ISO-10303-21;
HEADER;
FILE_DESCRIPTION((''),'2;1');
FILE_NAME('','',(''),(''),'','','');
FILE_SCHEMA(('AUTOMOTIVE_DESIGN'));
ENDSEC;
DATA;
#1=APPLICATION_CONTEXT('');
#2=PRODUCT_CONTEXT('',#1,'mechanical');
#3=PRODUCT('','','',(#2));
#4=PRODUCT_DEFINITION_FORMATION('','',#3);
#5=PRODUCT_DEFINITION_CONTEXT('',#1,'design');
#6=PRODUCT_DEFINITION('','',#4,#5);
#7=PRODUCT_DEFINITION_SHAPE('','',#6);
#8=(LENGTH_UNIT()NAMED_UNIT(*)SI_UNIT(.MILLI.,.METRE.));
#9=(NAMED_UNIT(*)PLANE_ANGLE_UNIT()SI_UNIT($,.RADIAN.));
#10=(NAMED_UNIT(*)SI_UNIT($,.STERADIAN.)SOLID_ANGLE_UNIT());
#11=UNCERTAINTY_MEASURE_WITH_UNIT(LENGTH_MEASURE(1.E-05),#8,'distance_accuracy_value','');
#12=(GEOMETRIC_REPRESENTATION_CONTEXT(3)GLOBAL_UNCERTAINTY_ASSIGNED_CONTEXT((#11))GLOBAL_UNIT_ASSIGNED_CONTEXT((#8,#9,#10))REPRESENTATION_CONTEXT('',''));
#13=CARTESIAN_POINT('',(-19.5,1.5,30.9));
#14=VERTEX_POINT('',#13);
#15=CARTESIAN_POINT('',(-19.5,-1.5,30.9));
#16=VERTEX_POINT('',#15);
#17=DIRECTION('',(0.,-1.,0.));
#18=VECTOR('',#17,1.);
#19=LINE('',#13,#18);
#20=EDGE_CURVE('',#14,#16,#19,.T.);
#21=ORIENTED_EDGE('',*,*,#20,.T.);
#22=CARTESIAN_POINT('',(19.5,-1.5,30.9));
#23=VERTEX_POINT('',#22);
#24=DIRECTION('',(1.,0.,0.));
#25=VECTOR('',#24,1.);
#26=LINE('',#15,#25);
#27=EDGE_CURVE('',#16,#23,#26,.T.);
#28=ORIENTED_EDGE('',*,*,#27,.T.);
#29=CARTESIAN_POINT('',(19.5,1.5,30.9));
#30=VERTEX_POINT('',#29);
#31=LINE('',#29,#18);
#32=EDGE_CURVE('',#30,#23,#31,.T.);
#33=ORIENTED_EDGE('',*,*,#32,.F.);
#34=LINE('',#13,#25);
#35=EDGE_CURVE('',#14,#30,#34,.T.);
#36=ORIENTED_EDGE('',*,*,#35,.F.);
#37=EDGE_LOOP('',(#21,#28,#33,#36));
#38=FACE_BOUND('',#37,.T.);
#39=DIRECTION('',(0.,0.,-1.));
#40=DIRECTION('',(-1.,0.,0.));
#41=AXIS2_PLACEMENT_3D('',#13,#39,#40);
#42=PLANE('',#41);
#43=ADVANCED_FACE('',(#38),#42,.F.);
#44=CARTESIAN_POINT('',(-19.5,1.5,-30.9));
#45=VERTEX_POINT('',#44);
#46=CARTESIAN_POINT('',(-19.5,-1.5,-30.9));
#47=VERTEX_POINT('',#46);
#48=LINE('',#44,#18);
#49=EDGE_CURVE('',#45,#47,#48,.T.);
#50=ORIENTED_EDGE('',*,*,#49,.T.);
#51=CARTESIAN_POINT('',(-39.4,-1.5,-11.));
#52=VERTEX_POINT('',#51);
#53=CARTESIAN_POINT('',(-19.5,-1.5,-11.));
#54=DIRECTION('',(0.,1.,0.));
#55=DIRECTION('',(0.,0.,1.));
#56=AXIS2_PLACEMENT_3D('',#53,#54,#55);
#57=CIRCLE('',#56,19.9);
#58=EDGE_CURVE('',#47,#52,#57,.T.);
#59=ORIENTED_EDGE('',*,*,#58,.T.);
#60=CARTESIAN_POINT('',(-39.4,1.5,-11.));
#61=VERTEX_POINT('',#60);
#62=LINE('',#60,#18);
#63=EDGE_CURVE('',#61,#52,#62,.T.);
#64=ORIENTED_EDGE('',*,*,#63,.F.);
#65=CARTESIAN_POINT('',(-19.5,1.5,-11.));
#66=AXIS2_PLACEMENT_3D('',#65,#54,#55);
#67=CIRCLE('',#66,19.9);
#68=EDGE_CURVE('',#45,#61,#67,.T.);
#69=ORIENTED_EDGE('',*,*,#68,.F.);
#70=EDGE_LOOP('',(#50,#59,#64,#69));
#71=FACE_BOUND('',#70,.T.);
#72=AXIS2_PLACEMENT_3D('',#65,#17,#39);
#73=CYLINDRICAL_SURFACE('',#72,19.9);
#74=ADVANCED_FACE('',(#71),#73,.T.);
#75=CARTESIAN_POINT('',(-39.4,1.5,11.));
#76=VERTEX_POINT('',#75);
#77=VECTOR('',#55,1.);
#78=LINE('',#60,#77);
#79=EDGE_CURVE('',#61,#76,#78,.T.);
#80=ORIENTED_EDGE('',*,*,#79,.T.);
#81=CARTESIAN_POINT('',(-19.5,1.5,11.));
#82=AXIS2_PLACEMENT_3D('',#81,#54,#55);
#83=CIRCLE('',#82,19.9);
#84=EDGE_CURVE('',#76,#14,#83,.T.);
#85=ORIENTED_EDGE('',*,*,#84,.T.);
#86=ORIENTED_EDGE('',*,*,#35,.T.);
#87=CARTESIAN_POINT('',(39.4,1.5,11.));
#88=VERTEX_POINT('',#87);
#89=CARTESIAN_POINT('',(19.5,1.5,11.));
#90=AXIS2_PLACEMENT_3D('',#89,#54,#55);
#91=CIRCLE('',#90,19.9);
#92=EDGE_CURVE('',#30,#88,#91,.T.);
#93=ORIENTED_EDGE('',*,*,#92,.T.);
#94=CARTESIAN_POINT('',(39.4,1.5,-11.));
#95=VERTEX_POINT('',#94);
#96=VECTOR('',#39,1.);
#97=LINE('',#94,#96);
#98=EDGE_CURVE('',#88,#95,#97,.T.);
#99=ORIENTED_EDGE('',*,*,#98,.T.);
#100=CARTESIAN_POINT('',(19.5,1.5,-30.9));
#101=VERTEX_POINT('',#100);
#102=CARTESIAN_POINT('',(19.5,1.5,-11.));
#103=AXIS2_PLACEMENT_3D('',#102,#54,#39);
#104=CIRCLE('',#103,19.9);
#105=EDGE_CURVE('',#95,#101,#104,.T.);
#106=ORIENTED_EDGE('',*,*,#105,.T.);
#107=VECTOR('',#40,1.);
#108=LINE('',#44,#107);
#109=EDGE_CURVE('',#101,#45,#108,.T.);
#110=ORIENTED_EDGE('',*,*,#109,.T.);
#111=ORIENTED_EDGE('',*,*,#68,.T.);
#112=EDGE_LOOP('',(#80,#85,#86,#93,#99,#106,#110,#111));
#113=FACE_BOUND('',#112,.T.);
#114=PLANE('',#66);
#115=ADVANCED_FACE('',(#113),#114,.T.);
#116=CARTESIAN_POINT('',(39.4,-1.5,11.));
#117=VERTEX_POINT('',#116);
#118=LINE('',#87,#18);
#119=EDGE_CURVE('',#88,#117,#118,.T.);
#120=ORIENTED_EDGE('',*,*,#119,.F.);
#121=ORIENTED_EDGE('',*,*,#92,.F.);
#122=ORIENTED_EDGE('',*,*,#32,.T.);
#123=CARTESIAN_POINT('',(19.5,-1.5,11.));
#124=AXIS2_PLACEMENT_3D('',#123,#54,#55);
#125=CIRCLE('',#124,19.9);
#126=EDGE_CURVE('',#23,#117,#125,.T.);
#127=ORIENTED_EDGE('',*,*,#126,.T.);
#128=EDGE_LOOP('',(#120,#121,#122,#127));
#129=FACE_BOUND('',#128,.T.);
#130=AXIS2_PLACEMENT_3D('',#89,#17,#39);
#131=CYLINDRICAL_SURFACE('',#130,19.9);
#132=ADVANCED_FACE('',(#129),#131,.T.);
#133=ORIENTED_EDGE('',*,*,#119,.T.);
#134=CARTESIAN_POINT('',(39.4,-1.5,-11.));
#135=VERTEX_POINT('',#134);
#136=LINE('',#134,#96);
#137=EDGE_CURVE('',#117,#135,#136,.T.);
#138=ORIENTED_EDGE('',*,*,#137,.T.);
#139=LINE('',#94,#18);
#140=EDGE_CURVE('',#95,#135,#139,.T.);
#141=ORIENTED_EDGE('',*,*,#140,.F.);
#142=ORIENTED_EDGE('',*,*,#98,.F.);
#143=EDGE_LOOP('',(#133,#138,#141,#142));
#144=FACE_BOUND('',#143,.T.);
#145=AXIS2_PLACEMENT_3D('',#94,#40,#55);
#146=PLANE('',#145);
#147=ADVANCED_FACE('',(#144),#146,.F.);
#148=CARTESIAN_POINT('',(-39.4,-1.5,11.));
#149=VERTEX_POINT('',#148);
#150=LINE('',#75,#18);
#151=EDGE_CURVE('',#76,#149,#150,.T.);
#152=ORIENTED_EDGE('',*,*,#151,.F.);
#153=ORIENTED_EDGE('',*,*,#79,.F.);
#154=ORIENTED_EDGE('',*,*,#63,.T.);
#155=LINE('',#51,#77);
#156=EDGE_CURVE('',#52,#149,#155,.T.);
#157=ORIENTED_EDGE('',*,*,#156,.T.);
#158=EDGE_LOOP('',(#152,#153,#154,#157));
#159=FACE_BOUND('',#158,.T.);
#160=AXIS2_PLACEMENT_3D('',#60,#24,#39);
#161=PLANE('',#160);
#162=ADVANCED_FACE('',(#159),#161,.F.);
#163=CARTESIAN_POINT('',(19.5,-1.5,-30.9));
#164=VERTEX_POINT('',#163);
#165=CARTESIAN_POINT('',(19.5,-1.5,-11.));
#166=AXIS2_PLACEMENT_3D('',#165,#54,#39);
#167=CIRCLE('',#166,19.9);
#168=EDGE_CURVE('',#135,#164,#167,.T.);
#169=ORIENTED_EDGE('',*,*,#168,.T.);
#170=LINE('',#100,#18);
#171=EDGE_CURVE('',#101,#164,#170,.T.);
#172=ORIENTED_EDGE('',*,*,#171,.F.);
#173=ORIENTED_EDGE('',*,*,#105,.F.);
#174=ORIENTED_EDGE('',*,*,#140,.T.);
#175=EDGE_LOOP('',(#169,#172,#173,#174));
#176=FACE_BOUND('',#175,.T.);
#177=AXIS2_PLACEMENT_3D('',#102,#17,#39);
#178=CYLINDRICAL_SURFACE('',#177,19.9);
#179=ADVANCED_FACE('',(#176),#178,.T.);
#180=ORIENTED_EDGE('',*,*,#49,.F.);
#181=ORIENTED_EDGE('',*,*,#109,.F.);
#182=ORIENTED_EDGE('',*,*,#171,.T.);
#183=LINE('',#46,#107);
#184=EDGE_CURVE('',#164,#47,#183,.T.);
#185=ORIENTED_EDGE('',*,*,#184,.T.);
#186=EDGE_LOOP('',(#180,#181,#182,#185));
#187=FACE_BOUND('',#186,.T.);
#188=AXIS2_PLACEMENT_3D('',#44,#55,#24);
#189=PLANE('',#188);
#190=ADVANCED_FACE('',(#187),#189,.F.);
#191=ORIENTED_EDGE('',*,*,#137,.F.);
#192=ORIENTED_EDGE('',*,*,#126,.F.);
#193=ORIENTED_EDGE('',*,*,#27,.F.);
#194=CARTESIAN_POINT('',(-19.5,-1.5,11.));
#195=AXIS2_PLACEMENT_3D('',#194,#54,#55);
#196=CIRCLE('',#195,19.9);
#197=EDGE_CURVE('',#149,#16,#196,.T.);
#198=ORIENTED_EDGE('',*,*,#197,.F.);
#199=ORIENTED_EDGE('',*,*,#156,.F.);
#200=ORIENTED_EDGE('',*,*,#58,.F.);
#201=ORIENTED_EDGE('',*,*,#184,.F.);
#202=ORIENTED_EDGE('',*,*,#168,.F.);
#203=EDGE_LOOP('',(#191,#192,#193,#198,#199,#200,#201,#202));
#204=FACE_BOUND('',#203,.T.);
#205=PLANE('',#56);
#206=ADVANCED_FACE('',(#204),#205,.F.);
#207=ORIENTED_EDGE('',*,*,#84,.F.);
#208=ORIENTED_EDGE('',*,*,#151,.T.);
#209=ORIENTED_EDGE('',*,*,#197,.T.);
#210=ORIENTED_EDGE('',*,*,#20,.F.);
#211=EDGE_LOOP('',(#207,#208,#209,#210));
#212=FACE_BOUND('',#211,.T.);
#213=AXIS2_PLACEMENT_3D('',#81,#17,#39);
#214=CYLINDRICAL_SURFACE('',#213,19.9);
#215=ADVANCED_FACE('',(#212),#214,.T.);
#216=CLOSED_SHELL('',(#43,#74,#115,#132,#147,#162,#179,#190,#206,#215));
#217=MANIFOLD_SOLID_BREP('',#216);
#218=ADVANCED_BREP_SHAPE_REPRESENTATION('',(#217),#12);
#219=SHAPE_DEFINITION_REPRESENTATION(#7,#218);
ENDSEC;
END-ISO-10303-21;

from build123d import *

# Parameters (mm, degrees)
BOSS_EXTRUDE1_DEPTH = 1.5


with BuildPart() as part:
    # Sketch1 → Boss-Extrude1 (new, symmetric)
    with BuildSketch(Plane(origin=(0, 0, 0), x_dir=(1, 0, 0), z_dir=(0, 1, 0))):
        with BuildLine():
            Line((-19.5, 30.9), (19.5, 30.9))
            ThreePointArc((19.5, 30.9), (33.571424946, 25.071424946), (39.4, 11))
            Line((39.4, 11), (39.4, -11))
            ThreePointArc((39.4, -11), (33.571424946, -25.071424946), (19.5, -30.9))
            Line((19.5, -30.9), (-19.5, -30.9))
            ThreePointArc((-19.5, -30.9), (-33.571424946, -25.071424946), (-39.4, -11))
            Line((-39.4, -11), (-39.4, 11))
            ThreePointArc((-39.4, 11), (-33.571424946, 25.071424946), (-19.5, 30.9))
        make_face()
    extrude(amount=BOSS_EXTRUDE1_DEPTH, both=True)


solid = part.part
